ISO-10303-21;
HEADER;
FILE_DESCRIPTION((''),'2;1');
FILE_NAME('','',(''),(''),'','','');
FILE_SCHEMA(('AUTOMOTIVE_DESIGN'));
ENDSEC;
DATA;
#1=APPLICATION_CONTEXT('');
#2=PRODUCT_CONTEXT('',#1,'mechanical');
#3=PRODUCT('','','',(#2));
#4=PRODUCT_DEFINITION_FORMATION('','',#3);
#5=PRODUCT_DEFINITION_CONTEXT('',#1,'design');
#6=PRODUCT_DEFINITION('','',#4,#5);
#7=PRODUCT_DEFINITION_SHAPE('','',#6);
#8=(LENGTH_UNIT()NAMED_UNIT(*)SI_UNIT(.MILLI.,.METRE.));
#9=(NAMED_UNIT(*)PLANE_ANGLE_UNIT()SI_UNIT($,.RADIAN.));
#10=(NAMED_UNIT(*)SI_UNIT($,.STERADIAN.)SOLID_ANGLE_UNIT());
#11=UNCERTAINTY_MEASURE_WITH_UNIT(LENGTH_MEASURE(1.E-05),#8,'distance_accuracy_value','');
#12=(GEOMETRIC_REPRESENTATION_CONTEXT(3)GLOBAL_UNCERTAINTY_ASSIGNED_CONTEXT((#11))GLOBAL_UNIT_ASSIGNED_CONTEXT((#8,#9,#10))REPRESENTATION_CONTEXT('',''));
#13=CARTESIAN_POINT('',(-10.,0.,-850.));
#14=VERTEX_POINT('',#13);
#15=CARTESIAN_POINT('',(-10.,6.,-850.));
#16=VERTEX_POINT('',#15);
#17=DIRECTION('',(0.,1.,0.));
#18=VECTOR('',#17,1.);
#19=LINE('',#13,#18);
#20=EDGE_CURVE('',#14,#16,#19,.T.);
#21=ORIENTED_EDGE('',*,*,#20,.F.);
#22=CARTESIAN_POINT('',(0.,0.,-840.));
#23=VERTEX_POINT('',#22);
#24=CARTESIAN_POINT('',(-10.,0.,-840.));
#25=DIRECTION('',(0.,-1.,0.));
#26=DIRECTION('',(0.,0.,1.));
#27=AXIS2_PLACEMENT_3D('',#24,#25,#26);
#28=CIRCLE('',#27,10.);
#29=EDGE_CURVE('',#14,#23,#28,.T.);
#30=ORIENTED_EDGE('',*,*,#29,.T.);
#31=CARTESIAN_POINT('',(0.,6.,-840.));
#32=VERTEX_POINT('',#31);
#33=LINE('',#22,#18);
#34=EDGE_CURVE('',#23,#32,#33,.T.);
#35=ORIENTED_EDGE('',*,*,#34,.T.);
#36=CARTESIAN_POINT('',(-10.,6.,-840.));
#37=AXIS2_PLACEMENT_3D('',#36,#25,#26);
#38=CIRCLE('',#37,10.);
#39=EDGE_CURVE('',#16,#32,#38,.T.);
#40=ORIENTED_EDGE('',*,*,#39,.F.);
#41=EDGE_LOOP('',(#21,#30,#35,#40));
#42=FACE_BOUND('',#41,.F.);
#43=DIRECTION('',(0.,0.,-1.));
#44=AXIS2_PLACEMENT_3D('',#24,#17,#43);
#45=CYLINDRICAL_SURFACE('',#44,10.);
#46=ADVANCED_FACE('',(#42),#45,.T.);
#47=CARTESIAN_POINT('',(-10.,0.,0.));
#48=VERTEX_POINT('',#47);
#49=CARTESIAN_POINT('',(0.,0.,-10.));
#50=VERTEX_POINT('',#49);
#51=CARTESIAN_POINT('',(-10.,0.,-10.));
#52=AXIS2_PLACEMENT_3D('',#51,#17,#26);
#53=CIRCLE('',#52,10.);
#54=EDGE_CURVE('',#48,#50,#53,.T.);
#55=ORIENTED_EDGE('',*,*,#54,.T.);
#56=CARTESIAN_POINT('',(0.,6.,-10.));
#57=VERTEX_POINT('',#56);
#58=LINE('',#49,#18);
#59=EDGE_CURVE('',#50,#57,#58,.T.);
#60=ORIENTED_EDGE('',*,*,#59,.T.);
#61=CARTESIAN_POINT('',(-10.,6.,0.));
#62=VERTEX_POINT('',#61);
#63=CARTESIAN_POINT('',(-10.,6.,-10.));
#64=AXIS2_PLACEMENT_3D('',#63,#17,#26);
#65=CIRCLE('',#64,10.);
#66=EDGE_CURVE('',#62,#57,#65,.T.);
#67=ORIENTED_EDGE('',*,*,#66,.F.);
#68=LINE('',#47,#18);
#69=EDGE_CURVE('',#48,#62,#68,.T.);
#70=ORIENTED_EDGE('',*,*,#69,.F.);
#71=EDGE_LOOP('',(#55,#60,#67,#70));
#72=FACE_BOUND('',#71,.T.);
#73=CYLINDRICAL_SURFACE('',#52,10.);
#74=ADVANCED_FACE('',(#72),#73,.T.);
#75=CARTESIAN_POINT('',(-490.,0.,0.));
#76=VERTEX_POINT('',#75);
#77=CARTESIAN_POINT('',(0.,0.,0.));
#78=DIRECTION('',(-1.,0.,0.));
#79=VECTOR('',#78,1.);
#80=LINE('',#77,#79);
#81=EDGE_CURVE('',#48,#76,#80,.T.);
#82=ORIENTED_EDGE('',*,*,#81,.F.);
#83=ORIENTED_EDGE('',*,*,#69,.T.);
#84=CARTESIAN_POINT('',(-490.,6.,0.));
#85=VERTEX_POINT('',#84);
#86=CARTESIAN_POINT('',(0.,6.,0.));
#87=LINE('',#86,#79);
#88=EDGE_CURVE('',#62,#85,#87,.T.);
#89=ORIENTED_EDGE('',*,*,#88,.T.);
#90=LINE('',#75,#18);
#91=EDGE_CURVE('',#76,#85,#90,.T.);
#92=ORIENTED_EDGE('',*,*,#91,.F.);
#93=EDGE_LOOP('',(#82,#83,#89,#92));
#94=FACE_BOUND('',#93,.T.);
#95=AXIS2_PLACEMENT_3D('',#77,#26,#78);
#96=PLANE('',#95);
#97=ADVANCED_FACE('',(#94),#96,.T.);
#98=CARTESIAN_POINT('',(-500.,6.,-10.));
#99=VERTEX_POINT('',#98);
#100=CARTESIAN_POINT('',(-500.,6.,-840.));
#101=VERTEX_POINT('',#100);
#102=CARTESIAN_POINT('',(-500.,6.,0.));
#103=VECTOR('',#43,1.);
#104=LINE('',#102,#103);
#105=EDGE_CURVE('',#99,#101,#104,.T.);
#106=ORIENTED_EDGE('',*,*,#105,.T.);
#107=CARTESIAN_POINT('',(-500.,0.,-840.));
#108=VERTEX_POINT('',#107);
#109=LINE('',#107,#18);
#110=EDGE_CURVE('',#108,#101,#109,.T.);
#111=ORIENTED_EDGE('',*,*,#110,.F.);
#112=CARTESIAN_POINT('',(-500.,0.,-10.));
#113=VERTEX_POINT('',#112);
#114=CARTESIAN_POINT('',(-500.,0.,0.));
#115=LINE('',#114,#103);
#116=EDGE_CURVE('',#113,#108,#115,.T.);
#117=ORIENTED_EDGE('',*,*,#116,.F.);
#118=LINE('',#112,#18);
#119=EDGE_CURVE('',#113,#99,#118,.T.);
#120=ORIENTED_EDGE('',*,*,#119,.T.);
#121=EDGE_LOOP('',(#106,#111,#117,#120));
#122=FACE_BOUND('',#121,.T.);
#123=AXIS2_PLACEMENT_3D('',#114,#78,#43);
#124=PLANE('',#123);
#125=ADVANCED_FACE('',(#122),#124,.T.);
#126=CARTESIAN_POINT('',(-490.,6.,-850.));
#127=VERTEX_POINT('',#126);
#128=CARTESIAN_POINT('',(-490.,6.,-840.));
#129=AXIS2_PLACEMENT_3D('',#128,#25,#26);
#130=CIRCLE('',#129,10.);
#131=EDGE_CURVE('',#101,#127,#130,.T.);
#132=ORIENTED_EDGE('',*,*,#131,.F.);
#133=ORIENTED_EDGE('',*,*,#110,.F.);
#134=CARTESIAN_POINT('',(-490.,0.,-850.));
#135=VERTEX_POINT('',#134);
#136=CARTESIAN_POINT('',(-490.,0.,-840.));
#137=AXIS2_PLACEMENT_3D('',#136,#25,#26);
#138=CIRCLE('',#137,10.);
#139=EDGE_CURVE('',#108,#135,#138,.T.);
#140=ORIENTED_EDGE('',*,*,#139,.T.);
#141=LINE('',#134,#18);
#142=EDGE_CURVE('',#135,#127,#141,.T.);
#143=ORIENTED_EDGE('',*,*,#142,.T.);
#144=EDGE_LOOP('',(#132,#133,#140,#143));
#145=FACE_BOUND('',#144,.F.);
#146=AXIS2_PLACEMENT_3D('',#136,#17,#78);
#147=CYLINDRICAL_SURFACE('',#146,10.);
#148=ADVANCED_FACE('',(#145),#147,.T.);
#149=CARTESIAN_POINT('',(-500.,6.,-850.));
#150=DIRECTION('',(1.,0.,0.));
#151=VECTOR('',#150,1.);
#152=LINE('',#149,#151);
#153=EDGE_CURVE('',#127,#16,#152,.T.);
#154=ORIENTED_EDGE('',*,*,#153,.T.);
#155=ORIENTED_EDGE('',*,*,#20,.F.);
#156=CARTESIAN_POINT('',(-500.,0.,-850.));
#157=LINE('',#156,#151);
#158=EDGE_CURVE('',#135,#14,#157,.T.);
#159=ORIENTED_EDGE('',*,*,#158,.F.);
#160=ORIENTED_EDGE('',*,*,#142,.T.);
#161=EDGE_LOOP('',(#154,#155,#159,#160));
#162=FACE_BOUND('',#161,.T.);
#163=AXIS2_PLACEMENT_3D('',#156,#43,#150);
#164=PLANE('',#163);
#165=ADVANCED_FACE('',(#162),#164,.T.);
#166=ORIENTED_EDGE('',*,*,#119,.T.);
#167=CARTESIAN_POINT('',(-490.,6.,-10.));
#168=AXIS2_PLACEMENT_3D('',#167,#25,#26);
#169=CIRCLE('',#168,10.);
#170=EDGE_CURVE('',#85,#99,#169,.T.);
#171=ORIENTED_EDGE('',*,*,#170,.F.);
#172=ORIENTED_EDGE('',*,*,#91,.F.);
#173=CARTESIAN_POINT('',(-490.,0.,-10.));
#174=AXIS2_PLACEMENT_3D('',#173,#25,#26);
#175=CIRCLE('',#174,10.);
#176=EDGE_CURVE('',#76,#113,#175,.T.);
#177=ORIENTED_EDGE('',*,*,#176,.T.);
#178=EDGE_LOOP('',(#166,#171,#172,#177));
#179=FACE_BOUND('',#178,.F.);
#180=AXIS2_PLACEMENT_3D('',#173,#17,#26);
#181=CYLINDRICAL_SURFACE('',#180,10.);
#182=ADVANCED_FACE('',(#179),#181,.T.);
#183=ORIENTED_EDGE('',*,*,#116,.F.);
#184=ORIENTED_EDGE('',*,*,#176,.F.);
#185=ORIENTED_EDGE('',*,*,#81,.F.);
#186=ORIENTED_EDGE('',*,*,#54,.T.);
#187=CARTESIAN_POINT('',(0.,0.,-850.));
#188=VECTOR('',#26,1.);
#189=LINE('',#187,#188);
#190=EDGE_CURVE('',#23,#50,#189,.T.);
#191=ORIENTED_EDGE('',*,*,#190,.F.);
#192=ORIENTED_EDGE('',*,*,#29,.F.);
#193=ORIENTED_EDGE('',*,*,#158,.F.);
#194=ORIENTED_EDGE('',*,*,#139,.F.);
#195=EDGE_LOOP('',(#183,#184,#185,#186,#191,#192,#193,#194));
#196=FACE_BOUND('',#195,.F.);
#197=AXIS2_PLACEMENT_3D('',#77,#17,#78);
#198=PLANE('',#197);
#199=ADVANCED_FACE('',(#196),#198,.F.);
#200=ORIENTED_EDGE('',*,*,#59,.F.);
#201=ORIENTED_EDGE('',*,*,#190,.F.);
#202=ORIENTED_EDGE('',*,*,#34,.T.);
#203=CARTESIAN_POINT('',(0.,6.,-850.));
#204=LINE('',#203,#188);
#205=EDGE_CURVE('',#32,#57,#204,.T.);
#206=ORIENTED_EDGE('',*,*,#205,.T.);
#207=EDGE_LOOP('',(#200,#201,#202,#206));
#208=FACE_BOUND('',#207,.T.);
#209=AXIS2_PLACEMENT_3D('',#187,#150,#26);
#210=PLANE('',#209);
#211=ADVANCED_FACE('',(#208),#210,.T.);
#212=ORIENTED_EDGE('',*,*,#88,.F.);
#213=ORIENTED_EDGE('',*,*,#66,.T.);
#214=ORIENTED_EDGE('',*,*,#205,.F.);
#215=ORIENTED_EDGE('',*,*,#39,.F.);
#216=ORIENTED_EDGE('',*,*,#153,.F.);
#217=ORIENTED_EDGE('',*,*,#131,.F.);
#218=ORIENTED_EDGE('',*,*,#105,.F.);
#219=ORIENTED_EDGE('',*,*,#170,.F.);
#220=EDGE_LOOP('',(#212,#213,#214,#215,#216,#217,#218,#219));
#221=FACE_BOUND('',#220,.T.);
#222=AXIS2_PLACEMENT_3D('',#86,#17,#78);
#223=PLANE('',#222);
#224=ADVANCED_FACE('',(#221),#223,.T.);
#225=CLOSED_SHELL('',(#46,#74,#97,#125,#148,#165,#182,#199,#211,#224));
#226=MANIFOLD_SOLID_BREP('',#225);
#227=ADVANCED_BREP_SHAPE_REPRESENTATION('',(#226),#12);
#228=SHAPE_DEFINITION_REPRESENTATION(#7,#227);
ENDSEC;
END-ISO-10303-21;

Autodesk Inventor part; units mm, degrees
ref_plane "YZ Plane" through (0, 0, 0) normal (1, 0, 0) x (0, 1, 0)
ref_plane "XZ Plane" through (0, 0, 0) normal (0, 1, 0) x (-1, 0, 0)
ref_plane "XY Plane" through (0, 0, 0) normal (0, 0, 1) x (1, 0, 0)
sketch "Sketch1" plane through (0, 0, 0) normal (0, 1, 0) x (-1, 0, 0)
  line L0 (0, 0) -> (500, 0)
  line L1 (500, 0) -> (500, -850)
  line L2 (500, -850) -> (0, -850)
  line L3 (0, -850) -> (0, 0)
  dimension "d0" = 500
  dimension "d1" = 850
extrude "Extrusion1" add sketch "Sketch1" along normal blind 6
fillet "Fillet1" radius 10 4 edges at (0, 3, 0) (-500, 3, 0) (-500, 3, -850) (0, 3, -850)
properties part number "Base"
